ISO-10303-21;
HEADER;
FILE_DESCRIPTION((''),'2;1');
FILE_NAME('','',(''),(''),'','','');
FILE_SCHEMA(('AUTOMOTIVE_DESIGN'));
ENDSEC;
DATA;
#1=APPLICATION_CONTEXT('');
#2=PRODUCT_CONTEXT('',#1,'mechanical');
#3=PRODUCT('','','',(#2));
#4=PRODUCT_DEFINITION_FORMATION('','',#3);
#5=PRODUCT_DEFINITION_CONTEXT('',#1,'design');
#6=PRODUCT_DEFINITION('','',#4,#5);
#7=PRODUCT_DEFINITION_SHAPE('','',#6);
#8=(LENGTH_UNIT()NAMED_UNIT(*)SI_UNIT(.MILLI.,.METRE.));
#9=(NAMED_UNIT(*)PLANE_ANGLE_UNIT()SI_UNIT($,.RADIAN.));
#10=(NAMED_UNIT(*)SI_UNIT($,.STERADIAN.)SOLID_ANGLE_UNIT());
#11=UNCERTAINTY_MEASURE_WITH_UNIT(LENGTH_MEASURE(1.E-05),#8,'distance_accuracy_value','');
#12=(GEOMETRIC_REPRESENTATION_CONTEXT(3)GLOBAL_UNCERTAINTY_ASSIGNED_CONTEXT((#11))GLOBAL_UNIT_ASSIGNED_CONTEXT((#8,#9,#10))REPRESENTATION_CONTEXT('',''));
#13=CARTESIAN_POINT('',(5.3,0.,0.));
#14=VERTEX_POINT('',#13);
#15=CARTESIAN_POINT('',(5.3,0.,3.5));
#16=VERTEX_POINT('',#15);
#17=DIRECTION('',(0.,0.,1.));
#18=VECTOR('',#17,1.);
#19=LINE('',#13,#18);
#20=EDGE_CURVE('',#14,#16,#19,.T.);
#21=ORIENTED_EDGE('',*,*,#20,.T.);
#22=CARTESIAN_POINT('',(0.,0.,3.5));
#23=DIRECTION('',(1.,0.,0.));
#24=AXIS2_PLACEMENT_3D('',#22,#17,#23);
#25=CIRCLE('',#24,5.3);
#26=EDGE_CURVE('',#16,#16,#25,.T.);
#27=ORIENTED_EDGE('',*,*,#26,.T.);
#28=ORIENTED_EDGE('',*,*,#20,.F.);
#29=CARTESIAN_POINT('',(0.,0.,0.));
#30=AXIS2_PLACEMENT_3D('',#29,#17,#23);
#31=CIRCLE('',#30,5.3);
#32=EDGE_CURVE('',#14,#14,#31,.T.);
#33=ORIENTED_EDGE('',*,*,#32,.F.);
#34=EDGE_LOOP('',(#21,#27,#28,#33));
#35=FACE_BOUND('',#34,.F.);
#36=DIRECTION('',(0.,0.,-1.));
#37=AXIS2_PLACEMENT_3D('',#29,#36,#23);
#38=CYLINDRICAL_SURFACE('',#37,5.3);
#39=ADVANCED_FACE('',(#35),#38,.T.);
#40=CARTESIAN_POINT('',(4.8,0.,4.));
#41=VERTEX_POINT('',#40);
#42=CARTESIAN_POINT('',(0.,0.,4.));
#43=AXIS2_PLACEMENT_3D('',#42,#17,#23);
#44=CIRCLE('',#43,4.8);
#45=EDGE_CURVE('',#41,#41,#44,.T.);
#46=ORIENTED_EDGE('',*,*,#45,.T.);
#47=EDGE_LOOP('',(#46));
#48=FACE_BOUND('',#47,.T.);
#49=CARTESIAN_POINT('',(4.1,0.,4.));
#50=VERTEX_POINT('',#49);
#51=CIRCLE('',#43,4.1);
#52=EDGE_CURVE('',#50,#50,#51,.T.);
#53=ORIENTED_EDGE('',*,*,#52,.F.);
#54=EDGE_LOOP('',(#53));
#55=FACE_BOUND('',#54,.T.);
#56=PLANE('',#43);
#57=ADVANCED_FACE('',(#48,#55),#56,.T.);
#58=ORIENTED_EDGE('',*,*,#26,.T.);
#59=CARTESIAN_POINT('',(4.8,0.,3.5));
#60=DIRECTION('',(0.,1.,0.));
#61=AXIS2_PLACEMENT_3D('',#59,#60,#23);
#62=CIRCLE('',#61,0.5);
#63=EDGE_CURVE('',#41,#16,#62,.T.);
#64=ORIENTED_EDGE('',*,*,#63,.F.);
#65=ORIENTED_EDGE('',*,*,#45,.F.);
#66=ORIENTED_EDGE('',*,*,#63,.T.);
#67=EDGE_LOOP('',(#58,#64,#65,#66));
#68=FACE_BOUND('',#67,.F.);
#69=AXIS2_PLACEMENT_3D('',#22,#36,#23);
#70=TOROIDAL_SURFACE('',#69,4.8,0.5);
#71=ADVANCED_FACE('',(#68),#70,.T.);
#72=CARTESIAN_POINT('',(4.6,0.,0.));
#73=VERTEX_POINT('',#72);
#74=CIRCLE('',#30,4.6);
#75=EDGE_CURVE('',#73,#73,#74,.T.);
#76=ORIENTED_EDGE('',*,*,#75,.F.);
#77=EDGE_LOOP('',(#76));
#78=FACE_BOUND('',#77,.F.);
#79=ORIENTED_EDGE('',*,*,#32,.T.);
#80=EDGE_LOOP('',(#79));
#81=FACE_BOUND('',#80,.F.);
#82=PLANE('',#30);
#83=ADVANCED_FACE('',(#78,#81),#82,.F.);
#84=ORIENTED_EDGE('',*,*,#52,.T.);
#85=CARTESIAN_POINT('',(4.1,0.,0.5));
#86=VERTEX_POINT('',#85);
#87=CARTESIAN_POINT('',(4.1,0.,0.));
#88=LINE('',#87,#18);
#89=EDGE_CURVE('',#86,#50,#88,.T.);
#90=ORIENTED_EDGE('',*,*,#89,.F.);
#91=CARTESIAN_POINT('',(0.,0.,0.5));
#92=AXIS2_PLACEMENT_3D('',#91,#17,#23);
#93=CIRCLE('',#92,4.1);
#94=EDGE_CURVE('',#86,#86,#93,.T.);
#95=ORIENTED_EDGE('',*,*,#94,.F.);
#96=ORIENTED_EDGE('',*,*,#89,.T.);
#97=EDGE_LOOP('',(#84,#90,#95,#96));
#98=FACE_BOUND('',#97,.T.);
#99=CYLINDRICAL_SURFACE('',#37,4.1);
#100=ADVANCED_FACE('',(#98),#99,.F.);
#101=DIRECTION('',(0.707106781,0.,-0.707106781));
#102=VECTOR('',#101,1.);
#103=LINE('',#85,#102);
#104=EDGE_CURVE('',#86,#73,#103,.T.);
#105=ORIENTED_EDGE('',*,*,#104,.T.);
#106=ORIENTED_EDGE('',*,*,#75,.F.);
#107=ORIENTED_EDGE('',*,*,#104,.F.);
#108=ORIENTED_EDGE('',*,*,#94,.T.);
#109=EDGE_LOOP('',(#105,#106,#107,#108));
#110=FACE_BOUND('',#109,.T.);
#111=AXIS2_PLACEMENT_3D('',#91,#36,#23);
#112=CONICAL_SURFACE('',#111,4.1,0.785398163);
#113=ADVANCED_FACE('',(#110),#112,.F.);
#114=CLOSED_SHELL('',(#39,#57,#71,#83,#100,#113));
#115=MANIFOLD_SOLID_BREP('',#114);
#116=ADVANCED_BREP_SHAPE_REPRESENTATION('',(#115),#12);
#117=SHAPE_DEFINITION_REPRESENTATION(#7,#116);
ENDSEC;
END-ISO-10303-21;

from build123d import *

# Parameters (mm, degrees)
F0_R     = 5.3
F0_R_2   = 4.1
F1_DEPTH = 4
F2_SIZE  = 0.5
F3_R     = 0.5


with BuildPart() as f1:
    # F0 (on Top) → F1 (new body)
    with BuildSketch(Plane.XY):
        Circle(F0_R)
        Circle(F0_R_2, mode=Mode.SUBTRACT)
    extrude(amount=F1_DEPTH)

    # F2
    f2_edges = [f1.edges().sort_by_distance(p)[0] for p in [
        (-4.1, 0, 0),
    ]]
    chamfer(f2_edges, length=F2_SIZE)

    # F3
    f3_edges = [f1.edges().sort_by_distance(p)[0] for p in [
        (-5.3, 0, 4),
    ]]
    fillet(f3_edges, radius=F3_R)


solid = f1.part
